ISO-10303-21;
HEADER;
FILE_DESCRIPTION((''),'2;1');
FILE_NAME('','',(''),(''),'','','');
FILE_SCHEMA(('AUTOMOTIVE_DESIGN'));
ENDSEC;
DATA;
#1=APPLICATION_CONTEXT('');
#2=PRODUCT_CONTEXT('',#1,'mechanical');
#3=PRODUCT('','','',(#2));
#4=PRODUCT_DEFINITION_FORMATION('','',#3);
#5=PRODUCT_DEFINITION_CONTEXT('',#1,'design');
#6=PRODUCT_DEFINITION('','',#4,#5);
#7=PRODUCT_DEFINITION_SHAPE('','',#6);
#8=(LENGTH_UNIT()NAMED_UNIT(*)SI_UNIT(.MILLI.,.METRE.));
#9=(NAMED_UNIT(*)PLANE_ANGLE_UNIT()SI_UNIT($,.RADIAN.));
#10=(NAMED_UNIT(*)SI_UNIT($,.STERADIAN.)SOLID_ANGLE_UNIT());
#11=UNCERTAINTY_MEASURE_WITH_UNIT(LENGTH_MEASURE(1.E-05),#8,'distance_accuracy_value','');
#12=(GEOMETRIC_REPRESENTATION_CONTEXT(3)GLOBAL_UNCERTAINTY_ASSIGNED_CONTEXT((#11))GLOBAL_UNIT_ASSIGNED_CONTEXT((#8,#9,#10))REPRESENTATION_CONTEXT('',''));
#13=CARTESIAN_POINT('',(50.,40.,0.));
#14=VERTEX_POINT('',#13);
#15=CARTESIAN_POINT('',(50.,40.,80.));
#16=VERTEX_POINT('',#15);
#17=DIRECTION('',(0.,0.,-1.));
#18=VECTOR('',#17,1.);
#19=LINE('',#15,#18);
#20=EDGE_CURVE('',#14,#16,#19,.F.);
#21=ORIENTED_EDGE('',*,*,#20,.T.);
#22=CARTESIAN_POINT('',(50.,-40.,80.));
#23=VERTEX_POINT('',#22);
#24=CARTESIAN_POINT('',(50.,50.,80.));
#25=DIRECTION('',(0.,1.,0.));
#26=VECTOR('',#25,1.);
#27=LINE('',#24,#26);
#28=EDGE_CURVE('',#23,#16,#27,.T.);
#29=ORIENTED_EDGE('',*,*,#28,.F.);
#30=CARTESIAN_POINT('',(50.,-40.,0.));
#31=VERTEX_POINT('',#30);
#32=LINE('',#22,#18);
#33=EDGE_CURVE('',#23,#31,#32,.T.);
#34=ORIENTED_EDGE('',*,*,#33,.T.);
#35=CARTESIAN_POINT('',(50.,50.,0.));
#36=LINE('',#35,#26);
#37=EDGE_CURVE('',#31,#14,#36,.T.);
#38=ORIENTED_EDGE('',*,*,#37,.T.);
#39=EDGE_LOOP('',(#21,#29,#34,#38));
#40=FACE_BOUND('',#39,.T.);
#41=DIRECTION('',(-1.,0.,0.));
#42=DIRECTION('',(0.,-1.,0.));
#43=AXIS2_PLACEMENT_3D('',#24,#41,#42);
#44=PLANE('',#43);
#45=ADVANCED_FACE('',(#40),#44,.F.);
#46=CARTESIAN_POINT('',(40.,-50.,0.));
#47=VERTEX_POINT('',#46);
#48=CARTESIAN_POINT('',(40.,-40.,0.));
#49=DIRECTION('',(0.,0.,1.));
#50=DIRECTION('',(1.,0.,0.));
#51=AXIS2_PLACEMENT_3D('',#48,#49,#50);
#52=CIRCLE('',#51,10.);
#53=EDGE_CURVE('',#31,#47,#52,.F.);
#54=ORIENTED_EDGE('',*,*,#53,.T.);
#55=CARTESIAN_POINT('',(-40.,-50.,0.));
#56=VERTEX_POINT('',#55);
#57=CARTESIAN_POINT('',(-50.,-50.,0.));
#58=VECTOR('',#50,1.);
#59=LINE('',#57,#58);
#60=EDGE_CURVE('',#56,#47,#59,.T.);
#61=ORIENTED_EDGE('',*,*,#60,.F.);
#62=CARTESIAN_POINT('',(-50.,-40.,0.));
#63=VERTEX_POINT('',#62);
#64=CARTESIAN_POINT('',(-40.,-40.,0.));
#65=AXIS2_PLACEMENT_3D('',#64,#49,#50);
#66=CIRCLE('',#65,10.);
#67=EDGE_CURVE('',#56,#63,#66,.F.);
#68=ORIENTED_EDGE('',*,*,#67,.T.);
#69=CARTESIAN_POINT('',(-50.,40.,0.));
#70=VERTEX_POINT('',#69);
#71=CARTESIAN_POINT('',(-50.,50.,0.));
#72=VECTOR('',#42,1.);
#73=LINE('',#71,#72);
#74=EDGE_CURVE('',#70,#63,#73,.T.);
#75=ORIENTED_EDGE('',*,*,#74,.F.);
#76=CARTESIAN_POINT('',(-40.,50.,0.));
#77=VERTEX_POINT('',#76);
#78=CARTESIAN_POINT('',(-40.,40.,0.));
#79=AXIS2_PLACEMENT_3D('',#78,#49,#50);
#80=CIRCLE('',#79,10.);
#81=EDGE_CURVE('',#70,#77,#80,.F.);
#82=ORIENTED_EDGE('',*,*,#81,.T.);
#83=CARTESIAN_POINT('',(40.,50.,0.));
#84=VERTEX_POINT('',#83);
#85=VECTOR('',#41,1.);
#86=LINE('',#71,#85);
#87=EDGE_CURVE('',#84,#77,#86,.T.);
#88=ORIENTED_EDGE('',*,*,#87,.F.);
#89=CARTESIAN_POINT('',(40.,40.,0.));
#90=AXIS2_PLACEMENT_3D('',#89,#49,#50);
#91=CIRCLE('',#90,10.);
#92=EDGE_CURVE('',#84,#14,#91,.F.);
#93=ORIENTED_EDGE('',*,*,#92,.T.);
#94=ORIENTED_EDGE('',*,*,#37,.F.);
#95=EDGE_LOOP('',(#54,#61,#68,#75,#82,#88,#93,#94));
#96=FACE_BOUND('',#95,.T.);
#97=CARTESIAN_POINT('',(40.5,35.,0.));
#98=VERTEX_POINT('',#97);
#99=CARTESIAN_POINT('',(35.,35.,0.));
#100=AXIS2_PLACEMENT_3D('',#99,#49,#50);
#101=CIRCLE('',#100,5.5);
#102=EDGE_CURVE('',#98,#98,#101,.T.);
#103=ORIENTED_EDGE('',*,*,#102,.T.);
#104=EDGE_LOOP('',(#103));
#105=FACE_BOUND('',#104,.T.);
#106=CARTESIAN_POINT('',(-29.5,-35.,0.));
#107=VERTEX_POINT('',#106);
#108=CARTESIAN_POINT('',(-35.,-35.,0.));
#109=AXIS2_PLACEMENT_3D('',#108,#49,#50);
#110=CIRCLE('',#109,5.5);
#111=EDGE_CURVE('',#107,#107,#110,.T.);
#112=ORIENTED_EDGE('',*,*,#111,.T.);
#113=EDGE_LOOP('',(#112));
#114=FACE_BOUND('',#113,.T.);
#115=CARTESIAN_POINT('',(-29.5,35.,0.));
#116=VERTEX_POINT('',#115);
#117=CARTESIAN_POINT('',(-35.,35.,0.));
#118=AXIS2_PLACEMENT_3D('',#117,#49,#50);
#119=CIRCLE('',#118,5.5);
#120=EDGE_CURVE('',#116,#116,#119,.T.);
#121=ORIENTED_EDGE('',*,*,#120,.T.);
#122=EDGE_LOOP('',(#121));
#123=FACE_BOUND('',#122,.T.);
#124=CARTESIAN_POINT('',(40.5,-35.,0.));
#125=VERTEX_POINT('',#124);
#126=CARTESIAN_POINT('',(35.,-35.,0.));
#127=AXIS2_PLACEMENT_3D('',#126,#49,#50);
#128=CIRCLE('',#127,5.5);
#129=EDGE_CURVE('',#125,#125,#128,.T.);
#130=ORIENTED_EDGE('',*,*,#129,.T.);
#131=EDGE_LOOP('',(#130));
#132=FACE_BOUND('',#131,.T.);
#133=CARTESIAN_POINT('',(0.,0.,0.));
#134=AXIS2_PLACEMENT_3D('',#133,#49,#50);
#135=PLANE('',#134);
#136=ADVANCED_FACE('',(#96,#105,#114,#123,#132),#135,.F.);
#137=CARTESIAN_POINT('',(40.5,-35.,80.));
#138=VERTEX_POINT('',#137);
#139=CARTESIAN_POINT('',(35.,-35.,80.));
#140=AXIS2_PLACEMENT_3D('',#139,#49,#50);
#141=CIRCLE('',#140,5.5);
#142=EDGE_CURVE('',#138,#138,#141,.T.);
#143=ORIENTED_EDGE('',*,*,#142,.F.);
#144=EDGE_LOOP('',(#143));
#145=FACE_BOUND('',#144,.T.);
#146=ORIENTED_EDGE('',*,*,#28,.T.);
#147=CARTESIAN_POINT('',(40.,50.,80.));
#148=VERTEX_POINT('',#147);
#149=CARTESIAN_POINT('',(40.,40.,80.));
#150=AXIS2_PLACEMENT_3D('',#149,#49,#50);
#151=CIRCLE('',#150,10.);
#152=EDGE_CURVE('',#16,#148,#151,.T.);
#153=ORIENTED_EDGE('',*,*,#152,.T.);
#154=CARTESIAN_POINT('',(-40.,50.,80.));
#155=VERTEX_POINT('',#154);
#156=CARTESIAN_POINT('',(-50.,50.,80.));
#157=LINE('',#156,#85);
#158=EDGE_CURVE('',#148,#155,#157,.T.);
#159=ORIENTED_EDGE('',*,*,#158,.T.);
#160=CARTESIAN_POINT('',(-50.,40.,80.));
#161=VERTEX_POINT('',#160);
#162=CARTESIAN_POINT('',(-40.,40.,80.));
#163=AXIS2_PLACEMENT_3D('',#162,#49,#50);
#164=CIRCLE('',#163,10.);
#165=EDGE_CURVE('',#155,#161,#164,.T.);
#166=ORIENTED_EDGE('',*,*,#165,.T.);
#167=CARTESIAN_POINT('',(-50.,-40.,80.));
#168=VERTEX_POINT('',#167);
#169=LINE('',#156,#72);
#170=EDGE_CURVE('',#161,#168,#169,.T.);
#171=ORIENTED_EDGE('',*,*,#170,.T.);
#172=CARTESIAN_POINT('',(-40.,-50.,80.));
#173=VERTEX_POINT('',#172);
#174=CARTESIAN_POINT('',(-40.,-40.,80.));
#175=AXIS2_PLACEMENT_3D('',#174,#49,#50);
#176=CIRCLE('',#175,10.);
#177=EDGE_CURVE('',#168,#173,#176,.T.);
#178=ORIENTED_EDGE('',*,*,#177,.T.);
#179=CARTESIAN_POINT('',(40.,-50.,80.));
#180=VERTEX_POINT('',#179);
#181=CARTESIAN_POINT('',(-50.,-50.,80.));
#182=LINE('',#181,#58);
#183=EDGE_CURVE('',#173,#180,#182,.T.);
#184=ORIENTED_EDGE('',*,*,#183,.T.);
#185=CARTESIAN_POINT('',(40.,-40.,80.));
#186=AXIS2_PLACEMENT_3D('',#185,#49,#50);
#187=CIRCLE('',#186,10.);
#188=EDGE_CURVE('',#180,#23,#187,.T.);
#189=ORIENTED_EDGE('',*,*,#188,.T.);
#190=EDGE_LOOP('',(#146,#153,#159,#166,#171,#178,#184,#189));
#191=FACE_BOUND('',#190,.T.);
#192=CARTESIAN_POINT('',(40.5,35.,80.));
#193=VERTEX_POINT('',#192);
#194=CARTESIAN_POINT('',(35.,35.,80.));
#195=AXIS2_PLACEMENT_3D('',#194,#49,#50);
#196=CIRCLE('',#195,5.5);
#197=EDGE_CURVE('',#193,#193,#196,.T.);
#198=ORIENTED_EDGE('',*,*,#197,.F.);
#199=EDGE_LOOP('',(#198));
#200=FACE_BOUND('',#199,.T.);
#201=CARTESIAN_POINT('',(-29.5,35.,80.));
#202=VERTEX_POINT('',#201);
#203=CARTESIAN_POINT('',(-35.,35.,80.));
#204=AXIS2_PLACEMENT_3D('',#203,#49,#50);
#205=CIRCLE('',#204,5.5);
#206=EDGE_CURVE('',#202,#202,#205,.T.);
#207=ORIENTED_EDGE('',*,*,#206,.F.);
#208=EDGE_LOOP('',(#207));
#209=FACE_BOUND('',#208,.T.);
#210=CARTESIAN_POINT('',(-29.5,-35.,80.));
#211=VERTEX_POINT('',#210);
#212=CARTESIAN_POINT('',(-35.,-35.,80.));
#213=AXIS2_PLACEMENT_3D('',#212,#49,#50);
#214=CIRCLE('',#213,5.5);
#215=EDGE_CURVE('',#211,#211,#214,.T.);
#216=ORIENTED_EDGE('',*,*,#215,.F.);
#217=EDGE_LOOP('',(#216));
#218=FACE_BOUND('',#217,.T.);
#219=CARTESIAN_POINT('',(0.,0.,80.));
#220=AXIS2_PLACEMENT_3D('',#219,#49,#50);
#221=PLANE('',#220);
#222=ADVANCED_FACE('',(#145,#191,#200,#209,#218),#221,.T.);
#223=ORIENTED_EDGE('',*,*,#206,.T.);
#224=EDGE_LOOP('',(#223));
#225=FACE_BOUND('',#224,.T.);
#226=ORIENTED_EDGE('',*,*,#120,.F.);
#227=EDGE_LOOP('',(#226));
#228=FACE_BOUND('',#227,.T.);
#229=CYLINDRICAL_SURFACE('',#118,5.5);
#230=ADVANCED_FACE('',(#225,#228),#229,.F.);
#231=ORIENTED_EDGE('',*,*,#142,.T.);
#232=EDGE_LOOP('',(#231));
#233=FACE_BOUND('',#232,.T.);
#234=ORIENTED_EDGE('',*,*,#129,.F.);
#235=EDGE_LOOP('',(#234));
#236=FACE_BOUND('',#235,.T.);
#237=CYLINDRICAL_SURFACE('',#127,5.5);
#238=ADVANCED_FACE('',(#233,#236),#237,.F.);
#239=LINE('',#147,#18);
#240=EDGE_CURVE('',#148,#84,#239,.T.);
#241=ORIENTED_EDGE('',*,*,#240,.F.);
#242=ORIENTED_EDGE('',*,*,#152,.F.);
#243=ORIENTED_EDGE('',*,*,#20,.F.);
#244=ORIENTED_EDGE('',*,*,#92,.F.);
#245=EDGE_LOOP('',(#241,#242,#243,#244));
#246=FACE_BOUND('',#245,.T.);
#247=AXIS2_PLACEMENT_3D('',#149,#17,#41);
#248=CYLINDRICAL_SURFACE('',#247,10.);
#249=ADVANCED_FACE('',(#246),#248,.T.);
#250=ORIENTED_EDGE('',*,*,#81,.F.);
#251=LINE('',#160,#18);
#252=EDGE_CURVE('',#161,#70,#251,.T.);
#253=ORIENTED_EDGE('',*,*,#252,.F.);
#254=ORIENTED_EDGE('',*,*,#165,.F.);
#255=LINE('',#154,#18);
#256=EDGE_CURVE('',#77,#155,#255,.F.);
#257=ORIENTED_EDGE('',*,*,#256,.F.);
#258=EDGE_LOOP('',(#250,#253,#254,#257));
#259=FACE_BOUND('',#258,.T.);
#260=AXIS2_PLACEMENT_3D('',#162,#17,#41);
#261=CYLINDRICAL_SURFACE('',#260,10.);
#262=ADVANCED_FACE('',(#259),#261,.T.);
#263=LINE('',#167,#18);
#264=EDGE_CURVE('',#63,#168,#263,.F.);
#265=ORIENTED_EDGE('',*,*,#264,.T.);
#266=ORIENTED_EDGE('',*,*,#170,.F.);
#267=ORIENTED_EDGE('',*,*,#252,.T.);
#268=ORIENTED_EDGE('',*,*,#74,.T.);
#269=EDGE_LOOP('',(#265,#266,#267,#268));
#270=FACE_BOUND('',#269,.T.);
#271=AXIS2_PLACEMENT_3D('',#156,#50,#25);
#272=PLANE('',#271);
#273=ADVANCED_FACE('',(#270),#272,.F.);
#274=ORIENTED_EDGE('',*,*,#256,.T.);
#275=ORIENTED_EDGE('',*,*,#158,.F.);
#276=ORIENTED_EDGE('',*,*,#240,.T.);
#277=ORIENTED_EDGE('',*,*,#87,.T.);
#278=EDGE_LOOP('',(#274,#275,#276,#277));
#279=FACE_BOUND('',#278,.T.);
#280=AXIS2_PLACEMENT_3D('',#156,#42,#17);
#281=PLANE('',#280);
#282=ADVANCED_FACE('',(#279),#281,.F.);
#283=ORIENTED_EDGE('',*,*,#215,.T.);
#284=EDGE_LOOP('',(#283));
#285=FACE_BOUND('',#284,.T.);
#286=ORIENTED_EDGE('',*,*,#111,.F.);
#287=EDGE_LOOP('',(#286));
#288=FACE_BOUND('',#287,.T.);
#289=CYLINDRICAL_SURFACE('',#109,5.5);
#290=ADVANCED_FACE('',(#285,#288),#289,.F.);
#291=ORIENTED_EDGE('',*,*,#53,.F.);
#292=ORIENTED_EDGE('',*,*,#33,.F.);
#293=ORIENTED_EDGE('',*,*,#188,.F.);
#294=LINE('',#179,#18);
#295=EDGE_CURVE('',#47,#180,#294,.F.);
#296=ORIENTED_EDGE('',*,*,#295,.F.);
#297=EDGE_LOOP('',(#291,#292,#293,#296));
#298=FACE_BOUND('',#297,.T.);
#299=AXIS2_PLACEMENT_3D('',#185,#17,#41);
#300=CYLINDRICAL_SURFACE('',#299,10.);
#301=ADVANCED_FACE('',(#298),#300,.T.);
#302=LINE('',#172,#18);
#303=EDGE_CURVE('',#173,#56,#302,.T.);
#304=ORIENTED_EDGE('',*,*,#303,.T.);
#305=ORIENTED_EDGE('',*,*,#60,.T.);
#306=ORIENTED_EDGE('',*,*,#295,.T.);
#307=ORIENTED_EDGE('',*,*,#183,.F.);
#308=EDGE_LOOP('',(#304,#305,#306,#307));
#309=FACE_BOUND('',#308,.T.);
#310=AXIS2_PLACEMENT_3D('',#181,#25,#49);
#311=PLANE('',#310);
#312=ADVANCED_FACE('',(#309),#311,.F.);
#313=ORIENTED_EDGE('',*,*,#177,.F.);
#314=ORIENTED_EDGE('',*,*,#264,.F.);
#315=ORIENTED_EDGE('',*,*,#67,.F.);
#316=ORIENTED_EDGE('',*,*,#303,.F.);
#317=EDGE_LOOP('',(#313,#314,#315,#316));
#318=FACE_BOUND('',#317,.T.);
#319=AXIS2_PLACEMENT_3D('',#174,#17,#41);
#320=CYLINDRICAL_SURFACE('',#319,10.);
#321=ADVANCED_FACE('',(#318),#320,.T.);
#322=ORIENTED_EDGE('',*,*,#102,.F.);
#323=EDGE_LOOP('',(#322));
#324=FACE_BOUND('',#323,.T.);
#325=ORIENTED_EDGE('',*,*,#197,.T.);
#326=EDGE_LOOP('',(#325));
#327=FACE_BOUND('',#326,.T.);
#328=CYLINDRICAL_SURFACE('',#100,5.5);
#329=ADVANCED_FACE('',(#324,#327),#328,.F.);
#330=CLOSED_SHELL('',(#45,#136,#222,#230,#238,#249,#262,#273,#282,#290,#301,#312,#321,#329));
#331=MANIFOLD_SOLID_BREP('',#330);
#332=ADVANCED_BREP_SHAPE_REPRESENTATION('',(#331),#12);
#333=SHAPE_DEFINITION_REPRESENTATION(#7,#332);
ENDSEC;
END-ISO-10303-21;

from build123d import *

# Parameters (mm, degrees)
SKETCH_1_W          = 100
SKETCH_1_H          = 100
EXTRUDE_1_DEPTH     = 80
SKETCH_2_R          = 5.5
CUT_EXTRUDE_2_DEPTH = 107.77078252
FILLET_1_R          = 10
FILLET_2_R          = 10


with BuildPart() as part:
    # 草图1 → 凸台-拉伸1 (new body)
    with BuildSketch(Plane.XY):
        Rectangle(SKETCH_1_W, SKETCH_1_H)
    extrude(amount=EXTRUDE_1_DEPTH)

    # 草图2 → 切除-拉伸2 (cut, through all)
    with BuildSketch(Plane.XY.offset(80)):
        with Locations((-35, 35)):
            Circle(SKETCH_2_R)
        with Locations((35, 35)):
            Circle(SKETCH_2_R)
        with Locations((-35, -35)):
            Circle(SKETCH_2_R)
        with Locations((35, -35)):
            Circle(SKETCH_2_R)
    extrude(amount=-CUT_EXTRUDE_2_DEPTH, mode=Mode.SUBTRACT)

    # 圆角1
    fillet_1_edges = [part.edges().sort_by_distance(p)[0] for p in [
        (-50, 50, 40),
    ]]
    fillet(fillet_1_edges, radius=FILLET_1_R)

    # 圆角2
    fillet_2_edges = [part.edges().sort_by_distance(p)[0] for p in [
        (50, -50, 40),
        (-50, -50, 40),
        (50, 50, 40),
    ]]
    fillet(fillet_2_edges, radius=FILLET_2_R)


solid = part.part
